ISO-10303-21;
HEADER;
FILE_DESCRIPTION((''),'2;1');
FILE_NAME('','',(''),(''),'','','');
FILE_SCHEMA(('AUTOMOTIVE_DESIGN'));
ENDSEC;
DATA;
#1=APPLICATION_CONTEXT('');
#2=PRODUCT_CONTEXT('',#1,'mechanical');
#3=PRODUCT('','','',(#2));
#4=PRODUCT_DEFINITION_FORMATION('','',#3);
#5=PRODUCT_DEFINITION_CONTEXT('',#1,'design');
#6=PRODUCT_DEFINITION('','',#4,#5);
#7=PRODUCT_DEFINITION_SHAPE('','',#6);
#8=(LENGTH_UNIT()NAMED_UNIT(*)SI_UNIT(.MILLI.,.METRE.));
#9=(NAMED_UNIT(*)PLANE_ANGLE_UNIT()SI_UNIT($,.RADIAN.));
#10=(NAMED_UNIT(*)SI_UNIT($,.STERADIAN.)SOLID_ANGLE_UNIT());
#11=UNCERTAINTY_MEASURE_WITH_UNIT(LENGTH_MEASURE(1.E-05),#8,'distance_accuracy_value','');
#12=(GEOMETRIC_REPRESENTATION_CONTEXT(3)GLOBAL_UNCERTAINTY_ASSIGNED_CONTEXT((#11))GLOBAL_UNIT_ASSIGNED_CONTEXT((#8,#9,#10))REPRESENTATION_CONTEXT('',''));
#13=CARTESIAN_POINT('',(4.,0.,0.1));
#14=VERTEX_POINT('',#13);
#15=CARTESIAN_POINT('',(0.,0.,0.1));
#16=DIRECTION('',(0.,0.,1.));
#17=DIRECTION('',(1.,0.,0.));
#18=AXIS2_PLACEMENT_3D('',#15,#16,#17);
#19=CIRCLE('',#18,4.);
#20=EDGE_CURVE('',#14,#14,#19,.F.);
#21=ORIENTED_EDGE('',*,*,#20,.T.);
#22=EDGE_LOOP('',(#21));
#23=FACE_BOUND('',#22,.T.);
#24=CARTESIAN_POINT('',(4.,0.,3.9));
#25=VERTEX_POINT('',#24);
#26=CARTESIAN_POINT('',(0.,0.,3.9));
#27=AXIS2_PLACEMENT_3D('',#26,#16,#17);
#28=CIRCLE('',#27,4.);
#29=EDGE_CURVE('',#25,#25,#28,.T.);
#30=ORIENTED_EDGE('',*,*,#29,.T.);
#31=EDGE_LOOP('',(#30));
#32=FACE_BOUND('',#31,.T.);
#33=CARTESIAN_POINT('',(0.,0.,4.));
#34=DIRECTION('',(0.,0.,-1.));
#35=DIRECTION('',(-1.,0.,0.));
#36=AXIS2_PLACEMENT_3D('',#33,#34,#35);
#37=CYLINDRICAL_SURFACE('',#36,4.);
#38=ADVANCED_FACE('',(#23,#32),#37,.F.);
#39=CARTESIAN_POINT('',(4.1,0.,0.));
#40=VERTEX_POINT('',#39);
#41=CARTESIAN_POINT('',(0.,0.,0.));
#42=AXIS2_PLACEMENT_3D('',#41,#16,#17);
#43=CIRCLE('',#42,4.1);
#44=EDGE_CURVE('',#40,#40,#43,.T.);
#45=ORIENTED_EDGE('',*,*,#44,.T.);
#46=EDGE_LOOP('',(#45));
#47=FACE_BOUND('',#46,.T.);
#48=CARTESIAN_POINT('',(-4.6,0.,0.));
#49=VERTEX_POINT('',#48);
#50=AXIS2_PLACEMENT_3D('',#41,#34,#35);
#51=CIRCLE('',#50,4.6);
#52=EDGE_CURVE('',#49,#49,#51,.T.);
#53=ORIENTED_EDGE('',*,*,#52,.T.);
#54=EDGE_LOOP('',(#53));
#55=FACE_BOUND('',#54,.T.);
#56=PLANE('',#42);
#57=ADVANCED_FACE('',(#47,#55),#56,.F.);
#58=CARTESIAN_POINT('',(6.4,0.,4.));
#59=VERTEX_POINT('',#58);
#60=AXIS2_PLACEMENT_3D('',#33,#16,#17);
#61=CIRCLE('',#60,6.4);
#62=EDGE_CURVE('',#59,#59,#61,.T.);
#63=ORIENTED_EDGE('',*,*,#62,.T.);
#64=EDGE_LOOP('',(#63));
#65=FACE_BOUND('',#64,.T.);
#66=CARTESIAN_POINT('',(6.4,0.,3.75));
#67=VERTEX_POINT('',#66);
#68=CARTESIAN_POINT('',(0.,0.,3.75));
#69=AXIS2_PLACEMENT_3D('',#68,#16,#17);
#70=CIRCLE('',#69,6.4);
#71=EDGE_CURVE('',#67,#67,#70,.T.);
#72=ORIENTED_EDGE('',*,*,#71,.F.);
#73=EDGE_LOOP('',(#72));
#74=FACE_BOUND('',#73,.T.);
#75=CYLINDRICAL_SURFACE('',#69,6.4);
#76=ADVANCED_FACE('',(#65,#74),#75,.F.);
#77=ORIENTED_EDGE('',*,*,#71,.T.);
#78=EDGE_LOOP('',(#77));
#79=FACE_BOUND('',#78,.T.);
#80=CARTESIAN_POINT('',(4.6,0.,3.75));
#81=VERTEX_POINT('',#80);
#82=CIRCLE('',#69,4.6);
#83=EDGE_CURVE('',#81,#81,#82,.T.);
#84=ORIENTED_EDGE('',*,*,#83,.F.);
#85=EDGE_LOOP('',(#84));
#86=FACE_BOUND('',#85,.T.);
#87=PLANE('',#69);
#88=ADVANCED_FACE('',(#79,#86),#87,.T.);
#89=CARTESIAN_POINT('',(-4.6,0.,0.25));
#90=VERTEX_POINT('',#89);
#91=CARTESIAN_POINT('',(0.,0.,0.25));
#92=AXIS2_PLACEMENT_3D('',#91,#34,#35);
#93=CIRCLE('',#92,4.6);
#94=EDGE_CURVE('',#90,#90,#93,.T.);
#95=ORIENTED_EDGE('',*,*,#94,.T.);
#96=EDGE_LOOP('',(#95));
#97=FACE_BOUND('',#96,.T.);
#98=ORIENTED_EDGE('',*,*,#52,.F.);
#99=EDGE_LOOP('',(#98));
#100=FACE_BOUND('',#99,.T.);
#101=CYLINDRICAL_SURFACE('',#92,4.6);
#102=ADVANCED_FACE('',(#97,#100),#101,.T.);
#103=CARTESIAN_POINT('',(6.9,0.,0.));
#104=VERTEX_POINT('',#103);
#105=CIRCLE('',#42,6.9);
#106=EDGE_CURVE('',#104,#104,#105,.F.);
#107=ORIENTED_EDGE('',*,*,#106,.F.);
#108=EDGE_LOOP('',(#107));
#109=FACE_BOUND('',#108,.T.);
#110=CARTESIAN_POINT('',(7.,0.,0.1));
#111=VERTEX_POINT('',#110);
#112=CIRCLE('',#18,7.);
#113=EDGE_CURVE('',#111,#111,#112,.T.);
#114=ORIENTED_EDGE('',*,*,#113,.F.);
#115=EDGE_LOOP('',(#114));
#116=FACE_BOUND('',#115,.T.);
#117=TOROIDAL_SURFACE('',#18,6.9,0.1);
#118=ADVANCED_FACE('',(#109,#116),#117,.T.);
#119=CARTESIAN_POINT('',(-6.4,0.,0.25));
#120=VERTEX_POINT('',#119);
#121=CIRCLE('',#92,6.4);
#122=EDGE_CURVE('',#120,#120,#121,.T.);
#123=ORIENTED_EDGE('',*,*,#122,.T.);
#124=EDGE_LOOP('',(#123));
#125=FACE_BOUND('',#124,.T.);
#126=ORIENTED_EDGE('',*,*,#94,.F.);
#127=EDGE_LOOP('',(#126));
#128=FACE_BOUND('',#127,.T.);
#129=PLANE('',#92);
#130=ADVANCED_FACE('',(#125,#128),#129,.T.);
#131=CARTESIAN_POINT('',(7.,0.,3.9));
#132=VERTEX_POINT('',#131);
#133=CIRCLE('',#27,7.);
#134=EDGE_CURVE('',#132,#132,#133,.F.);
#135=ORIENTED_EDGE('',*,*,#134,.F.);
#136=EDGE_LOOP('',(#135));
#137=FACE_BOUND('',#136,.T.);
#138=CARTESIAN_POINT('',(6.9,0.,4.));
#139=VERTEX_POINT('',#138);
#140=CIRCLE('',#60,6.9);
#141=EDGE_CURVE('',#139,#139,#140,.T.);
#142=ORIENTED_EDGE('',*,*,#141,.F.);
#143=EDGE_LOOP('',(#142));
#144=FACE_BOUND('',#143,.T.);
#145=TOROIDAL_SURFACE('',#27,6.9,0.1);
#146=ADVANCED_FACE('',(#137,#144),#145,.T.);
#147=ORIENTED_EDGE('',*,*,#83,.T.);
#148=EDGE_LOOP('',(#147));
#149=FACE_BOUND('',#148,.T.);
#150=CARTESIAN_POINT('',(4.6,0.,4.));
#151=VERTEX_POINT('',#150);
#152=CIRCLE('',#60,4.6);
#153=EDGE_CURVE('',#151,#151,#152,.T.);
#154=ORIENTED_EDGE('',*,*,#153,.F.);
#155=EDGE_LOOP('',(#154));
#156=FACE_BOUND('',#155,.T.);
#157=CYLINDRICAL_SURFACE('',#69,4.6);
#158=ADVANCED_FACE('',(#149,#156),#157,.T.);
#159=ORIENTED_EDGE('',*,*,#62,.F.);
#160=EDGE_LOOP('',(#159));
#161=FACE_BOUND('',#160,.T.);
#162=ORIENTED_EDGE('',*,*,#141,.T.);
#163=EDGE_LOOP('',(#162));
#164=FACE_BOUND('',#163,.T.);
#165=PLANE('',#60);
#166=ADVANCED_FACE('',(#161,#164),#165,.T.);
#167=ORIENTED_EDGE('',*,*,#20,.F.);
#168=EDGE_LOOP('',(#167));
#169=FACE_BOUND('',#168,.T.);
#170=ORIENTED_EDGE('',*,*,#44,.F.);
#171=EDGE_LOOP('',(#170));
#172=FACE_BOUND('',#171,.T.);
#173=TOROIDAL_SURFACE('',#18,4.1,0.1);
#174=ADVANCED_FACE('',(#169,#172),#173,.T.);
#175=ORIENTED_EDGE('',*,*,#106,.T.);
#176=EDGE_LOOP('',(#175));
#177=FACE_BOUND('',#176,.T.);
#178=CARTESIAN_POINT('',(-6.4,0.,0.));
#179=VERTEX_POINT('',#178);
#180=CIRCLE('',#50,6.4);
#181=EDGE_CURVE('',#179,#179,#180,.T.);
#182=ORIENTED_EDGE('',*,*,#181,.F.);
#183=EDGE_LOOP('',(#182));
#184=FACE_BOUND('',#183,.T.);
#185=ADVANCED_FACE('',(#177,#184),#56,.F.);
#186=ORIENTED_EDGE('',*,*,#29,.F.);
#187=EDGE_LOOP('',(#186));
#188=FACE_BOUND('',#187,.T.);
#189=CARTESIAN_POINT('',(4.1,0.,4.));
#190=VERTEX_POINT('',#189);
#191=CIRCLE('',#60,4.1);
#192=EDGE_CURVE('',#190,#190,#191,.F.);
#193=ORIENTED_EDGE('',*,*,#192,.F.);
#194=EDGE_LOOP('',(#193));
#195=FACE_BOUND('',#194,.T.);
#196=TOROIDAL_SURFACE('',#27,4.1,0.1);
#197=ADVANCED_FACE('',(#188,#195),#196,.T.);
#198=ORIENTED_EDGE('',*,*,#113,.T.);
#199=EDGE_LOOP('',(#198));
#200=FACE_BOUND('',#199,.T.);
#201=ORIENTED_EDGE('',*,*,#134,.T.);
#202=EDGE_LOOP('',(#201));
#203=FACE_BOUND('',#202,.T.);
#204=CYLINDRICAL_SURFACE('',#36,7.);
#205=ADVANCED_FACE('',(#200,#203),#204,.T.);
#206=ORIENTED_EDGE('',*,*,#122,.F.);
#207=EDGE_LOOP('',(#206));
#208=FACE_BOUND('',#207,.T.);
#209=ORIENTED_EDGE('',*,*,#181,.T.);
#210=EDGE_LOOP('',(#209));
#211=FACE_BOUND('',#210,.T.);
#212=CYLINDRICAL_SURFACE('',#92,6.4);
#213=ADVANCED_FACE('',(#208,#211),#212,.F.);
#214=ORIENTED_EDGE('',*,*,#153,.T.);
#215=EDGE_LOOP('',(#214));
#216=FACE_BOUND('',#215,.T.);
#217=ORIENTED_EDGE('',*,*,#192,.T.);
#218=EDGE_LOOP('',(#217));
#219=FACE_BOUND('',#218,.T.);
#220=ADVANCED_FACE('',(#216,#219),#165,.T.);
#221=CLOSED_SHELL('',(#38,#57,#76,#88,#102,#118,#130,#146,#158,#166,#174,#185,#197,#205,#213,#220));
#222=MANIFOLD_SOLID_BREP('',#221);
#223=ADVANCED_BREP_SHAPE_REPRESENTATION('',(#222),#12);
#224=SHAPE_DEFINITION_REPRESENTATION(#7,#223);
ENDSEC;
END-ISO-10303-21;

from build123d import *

# Parameters (mm, degrees)
SKETCH1_R           = 7
SKETCH1_R_2         = 4
BOSS_EXTRUDE1_DEPTH = 4
SKETCH2_R           = 6.4
SKETCH2_R_2         = 4.6
CUT_EXTRUDE1_DEPTH  = 0.25
SKETCH3_R           = 6.4
SKETCH3_R_2         = 4.6
CUT_EXTRUDE2_DEPTH  = 0.25
FILLET1_R           = 0.1
FILLET2_R           = 0.1


with BuildPart() as part:
    # Sketch1 → Boss-Extrude1 (new body)
    with BuildSketch(Plane.XY):
        Circle(SKETCH1_R)
        Circle(SKETCH1_R_2, mode=Mode.SUBTRACT)
    extrude(amount=BOSS_EXTRUDE1_DEPTH)

    # Sketch2 → Cut-Extrude1 (cut)
    with BuildSketch(Plane.XY.offset(4)):
        Circle(SKETCH2_R)
        Circle(SKETCH2_R_2, mode=Mode.SUBTRACT)
    extrude(amount=-CUT_EXTRUDE1_DEPTH, mode=Mode.SUBTRACT)

    # Sketch3 → Cut-Extrude2 (cut)
    with BuildSketch(Plane(origin=(0, 0, 0), x_dir=(-1, 0, 0), z_dir=(0, 0, -1))):
        Circle(SKETCH3_R)
        Circle(SKETCH3_R_2, mode=Mode.SUBTRACT)
    extrude(amount=-CUT_EXTRUDE2_DEPTH, mode=Mode.SUBTRACT)

    # Fillet1
    fillet1_edges = [part.edges().sort_by_distance(p)[0] for p in [
        (-7, 0, 0),
        (-7, 0, 4),
    ]]
    fillet(fillet1_edges, radius=FILLET1_R)

    # Fillet2
    fillet2_edges = [part.edges().sort_by_distance(p)[0] for p in [
        (-4, 0, 0),
        (-4, 0, 4),
    ]]
    fillet(fillet2_edges, radius=FILLET2_R)


solid = part.part
